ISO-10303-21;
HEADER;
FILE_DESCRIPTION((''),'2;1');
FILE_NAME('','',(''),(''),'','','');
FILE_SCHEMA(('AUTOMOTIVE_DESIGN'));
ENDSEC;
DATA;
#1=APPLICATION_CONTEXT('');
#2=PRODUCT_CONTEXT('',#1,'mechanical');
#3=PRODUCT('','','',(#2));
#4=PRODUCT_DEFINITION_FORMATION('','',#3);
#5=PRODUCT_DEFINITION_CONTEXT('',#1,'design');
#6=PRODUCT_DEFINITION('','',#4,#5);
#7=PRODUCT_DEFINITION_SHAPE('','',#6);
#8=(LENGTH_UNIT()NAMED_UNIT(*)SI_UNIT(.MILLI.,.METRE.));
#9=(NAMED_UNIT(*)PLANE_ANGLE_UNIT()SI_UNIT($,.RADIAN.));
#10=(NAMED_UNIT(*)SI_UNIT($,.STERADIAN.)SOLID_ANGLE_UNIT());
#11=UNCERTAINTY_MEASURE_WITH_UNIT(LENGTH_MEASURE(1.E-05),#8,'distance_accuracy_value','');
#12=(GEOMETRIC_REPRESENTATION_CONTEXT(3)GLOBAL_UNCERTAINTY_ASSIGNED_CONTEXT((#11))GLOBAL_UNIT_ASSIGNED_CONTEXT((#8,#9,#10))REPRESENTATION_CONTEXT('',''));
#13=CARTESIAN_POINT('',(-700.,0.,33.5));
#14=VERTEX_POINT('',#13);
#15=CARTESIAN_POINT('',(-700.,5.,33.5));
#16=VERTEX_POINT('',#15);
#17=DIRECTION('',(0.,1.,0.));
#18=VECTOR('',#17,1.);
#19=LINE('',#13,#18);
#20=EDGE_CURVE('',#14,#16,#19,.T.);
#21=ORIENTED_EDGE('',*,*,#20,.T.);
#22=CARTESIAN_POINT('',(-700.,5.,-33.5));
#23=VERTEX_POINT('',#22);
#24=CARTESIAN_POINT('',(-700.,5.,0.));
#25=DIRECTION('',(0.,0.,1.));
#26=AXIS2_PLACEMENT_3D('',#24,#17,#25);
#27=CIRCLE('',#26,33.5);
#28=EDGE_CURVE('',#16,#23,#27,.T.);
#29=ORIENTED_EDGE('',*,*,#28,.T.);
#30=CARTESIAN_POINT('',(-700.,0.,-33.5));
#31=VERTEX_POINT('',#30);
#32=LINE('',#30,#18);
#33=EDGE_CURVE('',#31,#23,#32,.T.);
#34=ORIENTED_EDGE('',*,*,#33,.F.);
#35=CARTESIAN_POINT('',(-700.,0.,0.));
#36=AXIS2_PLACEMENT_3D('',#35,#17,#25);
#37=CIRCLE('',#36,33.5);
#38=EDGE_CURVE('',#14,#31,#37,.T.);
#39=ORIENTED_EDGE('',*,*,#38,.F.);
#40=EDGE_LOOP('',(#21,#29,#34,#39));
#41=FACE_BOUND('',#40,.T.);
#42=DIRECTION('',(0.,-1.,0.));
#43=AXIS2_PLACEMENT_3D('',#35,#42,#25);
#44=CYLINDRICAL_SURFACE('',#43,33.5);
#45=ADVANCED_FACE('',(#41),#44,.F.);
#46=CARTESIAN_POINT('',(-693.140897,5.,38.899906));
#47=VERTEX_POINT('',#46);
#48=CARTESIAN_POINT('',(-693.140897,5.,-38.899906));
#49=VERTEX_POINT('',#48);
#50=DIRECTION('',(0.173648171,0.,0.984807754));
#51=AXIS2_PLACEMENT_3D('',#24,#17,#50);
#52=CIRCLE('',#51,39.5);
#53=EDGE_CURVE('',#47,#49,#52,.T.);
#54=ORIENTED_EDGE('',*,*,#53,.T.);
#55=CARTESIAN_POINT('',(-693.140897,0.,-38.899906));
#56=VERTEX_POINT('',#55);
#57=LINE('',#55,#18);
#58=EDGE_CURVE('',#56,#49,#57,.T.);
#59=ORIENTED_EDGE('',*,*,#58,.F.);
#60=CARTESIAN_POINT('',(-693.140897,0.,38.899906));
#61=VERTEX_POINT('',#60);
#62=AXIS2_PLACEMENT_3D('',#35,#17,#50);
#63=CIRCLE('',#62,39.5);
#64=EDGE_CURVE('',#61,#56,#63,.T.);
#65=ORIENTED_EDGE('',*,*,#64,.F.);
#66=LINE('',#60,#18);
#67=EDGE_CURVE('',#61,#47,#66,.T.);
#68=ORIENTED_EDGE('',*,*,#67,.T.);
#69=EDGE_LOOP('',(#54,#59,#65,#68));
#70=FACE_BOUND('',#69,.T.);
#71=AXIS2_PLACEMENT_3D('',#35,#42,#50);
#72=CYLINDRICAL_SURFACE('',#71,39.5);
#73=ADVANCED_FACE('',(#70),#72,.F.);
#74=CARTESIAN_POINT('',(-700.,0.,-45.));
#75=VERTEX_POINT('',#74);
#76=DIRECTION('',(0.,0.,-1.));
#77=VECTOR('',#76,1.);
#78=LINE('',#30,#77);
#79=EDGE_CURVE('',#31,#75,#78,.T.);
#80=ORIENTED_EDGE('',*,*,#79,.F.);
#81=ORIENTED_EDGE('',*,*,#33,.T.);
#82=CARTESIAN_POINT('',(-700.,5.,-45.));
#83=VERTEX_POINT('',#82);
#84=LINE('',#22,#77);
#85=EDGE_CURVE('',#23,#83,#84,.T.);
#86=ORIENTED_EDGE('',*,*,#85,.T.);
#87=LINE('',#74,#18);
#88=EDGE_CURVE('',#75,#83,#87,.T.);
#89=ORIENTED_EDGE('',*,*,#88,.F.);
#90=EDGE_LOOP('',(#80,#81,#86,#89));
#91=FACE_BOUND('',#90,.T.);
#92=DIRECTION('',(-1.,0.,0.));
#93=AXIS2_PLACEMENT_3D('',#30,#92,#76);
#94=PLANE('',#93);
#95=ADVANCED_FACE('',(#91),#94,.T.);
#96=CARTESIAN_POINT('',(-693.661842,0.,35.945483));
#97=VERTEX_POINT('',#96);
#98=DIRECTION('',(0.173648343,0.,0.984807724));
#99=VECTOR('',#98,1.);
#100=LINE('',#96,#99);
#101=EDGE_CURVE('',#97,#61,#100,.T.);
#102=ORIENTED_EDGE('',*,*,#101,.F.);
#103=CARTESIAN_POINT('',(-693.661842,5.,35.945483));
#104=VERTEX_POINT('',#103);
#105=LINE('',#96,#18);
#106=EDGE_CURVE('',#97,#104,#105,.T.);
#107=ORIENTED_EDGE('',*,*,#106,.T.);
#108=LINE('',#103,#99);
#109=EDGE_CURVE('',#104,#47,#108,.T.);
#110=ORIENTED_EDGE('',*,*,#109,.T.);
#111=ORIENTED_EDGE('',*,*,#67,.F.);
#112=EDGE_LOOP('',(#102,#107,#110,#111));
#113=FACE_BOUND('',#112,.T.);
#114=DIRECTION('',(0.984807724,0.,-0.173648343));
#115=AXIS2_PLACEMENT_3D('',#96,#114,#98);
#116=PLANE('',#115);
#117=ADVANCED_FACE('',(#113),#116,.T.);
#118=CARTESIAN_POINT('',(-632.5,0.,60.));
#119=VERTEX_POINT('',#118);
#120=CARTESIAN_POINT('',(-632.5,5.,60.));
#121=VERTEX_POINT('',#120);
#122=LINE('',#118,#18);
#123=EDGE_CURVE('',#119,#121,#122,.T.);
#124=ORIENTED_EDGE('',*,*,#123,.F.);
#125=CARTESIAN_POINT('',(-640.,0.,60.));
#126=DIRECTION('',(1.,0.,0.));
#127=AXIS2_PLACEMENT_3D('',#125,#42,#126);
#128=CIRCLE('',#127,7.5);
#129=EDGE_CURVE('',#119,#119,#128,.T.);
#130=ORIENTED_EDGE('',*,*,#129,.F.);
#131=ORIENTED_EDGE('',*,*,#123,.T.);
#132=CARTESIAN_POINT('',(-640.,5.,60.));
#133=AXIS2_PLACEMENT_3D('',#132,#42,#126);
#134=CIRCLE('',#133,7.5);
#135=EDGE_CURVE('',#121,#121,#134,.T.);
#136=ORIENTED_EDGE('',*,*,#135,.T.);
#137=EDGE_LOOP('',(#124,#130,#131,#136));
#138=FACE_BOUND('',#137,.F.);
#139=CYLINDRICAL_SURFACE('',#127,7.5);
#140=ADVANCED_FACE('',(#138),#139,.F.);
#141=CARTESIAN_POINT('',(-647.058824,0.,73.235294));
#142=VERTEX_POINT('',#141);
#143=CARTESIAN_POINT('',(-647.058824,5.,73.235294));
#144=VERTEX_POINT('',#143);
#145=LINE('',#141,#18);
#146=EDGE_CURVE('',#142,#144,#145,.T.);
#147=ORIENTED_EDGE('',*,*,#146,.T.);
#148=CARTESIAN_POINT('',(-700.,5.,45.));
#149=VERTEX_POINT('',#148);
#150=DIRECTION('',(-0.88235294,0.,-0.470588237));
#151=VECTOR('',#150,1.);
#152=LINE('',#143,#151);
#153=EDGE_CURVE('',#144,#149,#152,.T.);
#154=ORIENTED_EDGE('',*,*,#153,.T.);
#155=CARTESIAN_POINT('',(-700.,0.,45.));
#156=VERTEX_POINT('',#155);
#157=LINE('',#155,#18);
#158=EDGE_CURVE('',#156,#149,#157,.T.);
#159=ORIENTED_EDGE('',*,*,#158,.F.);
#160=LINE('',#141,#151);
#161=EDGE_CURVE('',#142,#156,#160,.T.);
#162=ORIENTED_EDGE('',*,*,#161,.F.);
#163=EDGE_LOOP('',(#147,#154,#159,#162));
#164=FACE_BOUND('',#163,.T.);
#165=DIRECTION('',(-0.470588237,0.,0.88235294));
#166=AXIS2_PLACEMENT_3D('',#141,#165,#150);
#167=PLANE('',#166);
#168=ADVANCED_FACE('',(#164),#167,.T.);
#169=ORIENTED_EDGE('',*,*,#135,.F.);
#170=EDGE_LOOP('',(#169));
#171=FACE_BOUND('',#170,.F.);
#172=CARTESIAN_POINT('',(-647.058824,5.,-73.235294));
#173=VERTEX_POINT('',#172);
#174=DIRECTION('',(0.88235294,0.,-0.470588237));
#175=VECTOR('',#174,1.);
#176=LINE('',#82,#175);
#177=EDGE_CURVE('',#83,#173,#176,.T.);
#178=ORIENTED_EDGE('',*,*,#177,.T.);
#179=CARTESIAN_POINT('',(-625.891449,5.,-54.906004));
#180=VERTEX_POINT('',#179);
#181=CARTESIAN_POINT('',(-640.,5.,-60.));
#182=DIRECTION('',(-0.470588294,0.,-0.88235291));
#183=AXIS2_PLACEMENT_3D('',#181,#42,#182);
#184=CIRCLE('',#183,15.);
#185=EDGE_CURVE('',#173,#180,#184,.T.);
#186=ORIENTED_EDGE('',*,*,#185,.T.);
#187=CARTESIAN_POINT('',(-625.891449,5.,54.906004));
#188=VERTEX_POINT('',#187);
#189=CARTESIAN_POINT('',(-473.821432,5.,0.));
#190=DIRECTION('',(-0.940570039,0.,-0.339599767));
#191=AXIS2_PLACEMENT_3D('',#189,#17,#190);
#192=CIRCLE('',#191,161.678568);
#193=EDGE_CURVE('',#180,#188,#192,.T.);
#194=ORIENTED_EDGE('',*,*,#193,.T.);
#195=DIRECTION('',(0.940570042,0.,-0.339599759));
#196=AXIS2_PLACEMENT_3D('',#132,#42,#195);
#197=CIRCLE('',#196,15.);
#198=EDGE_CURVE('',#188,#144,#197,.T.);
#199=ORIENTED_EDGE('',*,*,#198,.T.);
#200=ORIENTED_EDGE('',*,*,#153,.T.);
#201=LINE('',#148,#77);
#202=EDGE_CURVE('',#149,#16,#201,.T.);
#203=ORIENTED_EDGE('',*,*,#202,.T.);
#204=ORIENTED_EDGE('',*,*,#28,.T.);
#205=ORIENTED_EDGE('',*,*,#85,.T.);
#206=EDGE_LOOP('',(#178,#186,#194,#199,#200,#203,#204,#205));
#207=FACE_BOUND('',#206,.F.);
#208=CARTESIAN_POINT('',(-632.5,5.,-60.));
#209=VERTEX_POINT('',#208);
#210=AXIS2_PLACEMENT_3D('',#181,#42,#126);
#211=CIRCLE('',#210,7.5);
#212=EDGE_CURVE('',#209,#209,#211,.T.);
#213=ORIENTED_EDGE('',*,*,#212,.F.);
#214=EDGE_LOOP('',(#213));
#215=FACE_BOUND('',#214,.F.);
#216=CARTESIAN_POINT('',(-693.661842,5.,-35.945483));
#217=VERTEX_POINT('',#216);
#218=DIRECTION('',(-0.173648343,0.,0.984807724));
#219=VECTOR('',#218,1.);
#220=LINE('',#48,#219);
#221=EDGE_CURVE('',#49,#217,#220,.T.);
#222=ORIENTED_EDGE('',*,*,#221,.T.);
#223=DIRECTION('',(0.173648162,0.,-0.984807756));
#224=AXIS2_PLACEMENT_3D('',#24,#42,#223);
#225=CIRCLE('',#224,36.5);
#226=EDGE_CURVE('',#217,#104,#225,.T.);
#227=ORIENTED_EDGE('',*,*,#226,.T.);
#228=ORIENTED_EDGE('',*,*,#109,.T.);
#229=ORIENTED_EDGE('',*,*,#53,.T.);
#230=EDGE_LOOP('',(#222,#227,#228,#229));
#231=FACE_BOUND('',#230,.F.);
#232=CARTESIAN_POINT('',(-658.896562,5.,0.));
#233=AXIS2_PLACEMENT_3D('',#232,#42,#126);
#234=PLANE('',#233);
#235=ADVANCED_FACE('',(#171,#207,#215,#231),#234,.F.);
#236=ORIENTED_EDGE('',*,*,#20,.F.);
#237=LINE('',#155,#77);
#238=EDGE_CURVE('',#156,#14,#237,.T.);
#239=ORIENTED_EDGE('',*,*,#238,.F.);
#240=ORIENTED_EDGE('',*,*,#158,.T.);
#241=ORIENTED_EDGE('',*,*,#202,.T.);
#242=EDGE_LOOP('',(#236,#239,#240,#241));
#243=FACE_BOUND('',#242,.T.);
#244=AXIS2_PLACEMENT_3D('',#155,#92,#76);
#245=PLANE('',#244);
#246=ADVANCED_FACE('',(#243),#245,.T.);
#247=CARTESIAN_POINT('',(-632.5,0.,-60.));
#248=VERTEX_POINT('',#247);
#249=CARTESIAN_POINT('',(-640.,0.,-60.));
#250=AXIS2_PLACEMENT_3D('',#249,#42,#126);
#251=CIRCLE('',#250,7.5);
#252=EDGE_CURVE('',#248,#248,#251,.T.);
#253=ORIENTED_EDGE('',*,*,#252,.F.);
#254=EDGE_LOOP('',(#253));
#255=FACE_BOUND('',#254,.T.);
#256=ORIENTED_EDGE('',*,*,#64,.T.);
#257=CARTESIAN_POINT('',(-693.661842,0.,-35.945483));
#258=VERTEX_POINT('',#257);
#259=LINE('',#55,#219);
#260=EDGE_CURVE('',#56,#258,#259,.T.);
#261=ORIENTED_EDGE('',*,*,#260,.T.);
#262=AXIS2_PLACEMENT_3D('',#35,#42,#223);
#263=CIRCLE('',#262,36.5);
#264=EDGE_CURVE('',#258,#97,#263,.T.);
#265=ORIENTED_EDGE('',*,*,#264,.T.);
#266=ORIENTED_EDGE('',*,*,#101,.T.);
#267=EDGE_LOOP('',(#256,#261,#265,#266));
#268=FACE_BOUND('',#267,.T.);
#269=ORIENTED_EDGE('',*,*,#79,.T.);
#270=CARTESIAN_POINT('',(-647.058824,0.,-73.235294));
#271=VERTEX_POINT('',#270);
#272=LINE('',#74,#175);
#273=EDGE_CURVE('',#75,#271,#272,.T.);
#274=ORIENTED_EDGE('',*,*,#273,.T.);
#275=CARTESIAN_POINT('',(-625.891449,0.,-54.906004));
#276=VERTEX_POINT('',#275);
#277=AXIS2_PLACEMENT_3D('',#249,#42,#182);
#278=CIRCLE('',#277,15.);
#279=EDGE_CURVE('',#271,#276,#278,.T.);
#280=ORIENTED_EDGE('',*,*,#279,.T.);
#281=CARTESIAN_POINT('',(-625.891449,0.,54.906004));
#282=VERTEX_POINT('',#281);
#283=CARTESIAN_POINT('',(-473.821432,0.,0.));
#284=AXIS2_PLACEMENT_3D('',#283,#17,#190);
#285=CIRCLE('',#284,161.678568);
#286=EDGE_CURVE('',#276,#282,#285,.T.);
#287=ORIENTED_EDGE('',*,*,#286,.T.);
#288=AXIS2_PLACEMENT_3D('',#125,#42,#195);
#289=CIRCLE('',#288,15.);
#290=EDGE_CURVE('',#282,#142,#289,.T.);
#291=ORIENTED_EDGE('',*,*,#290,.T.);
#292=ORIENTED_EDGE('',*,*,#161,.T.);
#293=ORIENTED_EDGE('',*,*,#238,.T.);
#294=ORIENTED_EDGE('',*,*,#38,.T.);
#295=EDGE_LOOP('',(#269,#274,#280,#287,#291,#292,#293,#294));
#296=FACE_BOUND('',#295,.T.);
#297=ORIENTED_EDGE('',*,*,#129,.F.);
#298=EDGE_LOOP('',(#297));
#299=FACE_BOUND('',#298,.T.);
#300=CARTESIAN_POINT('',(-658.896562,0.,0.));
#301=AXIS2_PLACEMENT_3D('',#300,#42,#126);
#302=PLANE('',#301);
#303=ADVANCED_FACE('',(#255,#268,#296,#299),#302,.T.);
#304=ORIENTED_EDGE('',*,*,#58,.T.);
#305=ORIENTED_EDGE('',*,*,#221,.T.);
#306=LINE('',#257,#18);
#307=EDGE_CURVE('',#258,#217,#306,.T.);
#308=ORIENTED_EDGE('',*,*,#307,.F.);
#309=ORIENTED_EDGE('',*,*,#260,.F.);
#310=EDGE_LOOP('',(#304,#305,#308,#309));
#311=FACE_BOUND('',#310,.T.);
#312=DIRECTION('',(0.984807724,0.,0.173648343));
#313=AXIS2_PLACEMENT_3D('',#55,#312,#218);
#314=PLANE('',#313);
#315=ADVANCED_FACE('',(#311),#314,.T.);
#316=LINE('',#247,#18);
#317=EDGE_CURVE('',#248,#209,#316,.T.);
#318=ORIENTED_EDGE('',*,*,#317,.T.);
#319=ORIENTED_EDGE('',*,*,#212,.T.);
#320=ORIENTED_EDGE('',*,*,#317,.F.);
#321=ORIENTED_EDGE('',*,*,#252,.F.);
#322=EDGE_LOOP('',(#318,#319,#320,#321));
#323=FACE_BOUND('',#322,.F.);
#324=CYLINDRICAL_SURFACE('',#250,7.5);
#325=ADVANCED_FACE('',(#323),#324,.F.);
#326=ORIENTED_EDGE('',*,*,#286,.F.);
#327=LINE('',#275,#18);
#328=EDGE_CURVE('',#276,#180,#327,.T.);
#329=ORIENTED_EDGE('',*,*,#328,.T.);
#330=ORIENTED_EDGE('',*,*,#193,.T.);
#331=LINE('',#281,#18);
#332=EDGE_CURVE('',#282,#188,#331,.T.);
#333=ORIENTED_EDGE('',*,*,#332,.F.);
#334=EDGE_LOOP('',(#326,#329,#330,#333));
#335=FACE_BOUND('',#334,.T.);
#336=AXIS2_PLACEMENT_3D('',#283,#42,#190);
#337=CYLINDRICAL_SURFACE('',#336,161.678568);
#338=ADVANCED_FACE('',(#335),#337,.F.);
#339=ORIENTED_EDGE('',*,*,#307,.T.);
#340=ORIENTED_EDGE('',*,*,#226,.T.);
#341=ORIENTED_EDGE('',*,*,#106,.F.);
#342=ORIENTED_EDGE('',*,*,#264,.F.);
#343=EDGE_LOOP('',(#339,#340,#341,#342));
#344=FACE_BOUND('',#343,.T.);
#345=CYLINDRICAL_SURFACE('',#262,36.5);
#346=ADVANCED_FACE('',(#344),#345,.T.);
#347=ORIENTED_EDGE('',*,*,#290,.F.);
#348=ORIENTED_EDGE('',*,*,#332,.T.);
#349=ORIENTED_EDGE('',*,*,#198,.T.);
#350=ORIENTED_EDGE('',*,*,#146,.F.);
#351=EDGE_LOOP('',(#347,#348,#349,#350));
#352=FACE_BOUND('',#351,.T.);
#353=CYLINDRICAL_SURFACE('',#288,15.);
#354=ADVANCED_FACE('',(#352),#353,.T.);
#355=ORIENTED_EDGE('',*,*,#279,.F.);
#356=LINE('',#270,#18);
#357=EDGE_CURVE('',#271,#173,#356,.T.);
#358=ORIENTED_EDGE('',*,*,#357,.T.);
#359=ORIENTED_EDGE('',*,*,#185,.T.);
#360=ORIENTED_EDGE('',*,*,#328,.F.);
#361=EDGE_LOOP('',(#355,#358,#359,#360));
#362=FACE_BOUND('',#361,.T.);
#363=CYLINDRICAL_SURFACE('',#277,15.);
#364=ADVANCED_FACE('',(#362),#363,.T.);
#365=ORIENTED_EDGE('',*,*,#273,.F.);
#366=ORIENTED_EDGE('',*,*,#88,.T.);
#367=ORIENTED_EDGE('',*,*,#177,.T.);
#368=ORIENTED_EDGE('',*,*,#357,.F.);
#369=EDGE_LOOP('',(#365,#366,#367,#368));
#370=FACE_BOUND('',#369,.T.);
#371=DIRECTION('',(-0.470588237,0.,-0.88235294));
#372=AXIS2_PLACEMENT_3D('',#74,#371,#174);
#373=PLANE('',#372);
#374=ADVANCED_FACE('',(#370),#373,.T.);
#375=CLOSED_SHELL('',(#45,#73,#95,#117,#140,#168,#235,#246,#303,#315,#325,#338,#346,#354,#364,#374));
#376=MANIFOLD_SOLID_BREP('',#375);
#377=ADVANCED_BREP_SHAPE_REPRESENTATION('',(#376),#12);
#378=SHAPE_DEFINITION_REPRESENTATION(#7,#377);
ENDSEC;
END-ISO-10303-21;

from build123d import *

# Parameters (mm, degrees)
F0_R     = 7.5
F1_DEPTH = 5


with BuildPart() as f1:
    # F0 (on Front) → F1 (new body)
    with BuildSketch(Plane.XZ):
        with BuildLine():
            ThreePointArc((-700, 33.5), (-666.5, 0), (-700, -33.5))
            Line((-700, -33.5), (-700, -45))
            Line((-700, -45), (-647.058824, -73.235294))
            ThreePointArc((-647.058824, -73.235294), (-630.180866, -71.339516), (-625.891449, -54.906004))
            ThreePointArc((-625.891449, -54.906004), (-635.5, 0), (-625.891449, 54.906004))
            ThreePointArc((-625.891449, 54.906004), (-630.180866, 71.339516), (-647.058824, 73.235294))
            Line((-647.058824, 73.235294), (-700, 45))
            Line((-700, 45), (-700, 33.5))
        make_face()
        with Locations((-640, -60)):
            Circle(F0_R, mode=Mode.SUBTRACT)
        with BuildLine():
            Line((-693.140897, -38.899906), (-693.661842, -35.945483))
            ThreePointArc((-693.661842, -35.945483), (-663.5, 0), (-693.661842, 35.945483))
            Line((-693.661842, 35.945483), (-693.140897, 38.899906))
            ThreePointArc((-693.140897, 38.899906), (-660.5, 0), (-693.140897, -38.899906))
        make_face(mode=Mode.SUBTRACT)
        with Locations((-640, 60)):
            Circle(F0_R, mode=Mode.SUBTRACT)
    extrude(amount=-F1_DEPTH)


solid = f1.part
